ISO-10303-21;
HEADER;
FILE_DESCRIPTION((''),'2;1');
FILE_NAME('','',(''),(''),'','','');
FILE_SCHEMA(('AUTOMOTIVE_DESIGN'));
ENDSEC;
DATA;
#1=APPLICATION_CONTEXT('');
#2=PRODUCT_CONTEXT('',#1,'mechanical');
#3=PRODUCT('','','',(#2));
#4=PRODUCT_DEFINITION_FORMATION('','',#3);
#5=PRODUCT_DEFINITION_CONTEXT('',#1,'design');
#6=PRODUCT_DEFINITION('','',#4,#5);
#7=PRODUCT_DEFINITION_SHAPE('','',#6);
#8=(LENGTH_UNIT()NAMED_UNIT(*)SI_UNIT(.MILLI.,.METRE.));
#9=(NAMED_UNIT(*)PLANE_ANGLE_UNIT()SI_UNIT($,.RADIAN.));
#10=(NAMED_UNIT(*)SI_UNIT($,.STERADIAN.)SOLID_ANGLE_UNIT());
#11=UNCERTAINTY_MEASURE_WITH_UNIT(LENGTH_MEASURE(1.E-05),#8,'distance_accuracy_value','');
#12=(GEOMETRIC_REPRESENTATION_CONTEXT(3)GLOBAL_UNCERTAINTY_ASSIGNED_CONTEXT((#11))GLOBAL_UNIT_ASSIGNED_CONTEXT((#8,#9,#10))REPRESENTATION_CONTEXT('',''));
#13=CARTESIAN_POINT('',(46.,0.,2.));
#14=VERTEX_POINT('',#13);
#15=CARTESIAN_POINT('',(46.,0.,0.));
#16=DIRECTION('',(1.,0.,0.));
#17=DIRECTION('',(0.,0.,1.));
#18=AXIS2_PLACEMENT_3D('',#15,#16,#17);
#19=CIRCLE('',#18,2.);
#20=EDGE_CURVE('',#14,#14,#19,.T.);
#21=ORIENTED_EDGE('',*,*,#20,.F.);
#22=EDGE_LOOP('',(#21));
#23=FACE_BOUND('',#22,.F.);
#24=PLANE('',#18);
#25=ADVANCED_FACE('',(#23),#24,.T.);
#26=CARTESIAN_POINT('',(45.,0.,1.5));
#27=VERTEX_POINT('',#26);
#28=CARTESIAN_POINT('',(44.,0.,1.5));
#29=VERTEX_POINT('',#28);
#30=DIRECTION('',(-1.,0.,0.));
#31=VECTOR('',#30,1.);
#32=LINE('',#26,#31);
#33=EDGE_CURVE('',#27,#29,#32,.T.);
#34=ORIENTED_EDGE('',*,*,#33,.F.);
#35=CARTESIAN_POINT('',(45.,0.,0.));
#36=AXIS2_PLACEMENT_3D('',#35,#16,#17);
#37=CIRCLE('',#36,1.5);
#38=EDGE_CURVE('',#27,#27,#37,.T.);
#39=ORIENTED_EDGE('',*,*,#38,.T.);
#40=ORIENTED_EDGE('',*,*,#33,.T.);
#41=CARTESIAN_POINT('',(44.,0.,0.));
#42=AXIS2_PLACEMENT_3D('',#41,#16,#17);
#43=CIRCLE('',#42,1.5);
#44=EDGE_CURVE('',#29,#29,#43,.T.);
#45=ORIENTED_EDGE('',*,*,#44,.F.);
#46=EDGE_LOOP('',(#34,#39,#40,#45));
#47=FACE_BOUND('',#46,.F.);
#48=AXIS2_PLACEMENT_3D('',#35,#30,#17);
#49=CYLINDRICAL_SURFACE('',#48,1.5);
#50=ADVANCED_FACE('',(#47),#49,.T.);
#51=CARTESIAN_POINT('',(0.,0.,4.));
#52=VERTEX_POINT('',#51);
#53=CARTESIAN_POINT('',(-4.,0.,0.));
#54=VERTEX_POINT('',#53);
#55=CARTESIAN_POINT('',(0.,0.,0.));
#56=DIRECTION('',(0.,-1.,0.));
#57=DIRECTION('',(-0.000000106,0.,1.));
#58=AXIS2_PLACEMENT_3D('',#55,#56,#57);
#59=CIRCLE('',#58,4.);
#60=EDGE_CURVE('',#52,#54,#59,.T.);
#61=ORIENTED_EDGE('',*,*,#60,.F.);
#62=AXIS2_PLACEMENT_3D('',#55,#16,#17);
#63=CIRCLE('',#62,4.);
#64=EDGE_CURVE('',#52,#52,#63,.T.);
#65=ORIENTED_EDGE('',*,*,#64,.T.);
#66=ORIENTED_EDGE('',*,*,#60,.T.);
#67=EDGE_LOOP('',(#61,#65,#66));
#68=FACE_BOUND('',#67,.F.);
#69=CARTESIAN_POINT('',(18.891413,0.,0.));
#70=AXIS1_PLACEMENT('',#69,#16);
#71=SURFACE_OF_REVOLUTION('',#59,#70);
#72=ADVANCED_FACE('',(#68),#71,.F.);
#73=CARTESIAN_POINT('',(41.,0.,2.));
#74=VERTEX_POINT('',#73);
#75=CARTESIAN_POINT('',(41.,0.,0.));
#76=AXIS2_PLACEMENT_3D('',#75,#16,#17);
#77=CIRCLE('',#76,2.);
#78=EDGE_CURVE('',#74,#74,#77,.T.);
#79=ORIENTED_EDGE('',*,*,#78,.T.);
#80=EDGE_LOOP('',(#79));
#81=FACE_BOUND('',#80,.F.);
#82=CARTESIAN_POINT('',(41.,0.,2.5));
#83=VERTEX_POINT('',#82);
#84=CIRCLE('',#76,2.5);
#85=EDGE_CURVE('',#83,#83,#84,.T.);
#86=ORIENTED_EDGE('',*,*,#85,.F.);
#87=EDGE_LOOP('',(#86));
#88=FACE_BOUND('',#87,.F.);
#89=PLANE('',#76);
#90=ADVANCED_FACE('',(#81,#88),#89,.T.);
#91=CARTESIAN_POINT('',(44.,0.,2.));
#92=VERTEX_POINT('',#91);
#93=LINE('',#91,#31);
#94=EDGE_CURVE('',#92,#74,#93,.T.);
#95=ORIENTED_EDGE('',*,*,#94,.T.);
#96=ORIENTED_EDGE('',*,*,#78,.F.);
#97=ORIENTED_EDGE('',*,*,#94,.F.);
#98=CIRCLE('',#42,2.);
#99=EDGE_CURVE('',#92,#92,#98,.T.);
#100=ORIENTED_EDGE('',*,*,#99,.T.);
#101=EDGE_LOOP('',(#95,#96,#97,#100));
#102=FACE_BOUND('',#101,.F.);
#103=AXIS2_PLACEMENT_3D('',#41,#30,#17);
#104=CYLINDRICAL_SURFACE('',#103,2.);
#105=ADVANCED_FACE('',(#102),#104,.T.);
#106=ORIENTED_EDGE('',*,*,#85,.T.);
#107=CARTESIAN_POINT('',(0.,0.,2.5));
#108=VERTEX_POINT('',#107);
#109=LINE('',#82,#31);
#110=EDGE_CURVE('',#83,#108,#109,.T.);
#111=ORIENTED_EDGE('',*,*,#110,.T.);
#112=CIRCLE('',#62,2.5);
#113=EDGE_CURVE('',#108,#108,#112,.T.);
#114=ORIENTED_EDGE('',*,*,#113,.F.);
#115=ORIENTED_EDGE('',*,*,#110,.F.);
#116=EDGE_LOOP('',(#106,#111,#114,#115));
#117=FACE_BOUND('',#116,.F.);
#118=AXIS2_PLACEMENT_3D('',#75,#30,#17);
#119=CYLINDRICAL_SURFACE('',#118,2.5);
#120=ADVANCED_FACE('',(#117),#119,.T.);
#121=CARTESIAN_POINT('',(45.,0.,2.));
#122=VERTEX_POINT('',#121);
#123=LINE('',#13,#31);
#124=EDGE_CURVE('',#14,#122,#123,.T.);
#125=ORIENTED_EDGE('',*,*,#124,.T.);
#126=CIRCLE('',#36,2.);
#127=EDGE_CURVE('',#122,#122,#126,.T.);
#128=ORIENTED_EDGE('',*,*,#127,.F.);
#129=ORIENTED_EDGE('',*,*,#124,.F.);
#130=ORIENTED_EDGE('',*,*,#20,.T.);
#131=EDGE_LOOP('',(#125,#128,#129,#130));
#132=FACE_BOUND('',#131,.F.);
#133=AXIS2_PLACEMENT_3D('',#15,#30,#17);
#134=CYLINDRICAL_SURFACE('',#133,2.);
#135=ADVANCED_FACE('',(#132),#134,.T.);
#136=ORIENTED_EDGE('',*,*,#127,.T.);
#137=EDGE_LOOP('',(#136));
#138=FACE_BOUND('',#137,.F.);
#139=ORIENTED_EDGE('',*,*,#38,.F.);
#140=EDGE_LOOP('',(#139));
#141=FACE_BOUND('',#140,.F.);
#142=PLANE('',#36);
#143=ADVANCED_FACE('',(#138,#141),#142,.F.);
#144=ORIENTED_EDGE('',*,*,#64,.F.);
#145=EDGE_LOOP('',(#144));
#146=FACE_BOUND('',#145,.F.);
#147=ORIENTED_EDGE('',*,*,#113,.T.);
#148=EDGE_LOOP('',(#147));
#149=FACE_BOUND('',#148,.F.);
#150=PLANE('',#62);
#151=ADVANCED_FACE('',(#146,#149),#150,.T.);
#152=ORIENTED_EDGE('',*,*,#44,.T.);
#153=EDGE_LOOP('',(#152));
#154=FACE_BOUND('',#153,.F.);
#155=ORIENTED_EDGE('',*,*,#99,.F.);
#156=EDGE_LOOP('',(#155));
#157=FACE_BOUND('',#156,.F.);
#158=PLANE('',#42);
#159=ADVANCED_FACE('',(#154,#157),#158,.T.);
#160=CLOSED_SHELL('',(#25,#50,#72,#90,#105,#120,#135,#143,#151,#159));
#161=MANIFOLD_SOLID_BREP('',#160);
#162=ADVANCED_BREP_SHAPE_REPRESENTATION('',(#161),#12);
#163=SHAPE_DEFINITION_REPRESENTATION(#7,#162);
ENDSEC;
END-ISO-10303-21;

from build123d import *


with BuildPart() as f1:
    # F0 (on Front) → F1 (revolve)
    with BuildSketch(Plane.XZ):
        with BuildLine():
            Line((41, 2.5), (0, 2.5))
            Line((0, 2.5), (0, 4))
            ThreePointArc((0, 4), (-2.828427, 2.828427), (-4, 0))
            Line((-4, 0), (46, 0))
            Line((46, 0), (46, 2))
            Line((46, 2), (45, 2))
            Line((45, 2), (45, 1.5))
            Line((45, 1.5), (44, 1.5))
            Line((44, 1.5), (44, 2))
            Line((44, 2), (41, 2))
            Line((41, 2), (41, 2.5))
        make_face()
    revolve(axis=Axis((18.891413, 0, 0), (1, 0, 0)))


solid = f1.part
